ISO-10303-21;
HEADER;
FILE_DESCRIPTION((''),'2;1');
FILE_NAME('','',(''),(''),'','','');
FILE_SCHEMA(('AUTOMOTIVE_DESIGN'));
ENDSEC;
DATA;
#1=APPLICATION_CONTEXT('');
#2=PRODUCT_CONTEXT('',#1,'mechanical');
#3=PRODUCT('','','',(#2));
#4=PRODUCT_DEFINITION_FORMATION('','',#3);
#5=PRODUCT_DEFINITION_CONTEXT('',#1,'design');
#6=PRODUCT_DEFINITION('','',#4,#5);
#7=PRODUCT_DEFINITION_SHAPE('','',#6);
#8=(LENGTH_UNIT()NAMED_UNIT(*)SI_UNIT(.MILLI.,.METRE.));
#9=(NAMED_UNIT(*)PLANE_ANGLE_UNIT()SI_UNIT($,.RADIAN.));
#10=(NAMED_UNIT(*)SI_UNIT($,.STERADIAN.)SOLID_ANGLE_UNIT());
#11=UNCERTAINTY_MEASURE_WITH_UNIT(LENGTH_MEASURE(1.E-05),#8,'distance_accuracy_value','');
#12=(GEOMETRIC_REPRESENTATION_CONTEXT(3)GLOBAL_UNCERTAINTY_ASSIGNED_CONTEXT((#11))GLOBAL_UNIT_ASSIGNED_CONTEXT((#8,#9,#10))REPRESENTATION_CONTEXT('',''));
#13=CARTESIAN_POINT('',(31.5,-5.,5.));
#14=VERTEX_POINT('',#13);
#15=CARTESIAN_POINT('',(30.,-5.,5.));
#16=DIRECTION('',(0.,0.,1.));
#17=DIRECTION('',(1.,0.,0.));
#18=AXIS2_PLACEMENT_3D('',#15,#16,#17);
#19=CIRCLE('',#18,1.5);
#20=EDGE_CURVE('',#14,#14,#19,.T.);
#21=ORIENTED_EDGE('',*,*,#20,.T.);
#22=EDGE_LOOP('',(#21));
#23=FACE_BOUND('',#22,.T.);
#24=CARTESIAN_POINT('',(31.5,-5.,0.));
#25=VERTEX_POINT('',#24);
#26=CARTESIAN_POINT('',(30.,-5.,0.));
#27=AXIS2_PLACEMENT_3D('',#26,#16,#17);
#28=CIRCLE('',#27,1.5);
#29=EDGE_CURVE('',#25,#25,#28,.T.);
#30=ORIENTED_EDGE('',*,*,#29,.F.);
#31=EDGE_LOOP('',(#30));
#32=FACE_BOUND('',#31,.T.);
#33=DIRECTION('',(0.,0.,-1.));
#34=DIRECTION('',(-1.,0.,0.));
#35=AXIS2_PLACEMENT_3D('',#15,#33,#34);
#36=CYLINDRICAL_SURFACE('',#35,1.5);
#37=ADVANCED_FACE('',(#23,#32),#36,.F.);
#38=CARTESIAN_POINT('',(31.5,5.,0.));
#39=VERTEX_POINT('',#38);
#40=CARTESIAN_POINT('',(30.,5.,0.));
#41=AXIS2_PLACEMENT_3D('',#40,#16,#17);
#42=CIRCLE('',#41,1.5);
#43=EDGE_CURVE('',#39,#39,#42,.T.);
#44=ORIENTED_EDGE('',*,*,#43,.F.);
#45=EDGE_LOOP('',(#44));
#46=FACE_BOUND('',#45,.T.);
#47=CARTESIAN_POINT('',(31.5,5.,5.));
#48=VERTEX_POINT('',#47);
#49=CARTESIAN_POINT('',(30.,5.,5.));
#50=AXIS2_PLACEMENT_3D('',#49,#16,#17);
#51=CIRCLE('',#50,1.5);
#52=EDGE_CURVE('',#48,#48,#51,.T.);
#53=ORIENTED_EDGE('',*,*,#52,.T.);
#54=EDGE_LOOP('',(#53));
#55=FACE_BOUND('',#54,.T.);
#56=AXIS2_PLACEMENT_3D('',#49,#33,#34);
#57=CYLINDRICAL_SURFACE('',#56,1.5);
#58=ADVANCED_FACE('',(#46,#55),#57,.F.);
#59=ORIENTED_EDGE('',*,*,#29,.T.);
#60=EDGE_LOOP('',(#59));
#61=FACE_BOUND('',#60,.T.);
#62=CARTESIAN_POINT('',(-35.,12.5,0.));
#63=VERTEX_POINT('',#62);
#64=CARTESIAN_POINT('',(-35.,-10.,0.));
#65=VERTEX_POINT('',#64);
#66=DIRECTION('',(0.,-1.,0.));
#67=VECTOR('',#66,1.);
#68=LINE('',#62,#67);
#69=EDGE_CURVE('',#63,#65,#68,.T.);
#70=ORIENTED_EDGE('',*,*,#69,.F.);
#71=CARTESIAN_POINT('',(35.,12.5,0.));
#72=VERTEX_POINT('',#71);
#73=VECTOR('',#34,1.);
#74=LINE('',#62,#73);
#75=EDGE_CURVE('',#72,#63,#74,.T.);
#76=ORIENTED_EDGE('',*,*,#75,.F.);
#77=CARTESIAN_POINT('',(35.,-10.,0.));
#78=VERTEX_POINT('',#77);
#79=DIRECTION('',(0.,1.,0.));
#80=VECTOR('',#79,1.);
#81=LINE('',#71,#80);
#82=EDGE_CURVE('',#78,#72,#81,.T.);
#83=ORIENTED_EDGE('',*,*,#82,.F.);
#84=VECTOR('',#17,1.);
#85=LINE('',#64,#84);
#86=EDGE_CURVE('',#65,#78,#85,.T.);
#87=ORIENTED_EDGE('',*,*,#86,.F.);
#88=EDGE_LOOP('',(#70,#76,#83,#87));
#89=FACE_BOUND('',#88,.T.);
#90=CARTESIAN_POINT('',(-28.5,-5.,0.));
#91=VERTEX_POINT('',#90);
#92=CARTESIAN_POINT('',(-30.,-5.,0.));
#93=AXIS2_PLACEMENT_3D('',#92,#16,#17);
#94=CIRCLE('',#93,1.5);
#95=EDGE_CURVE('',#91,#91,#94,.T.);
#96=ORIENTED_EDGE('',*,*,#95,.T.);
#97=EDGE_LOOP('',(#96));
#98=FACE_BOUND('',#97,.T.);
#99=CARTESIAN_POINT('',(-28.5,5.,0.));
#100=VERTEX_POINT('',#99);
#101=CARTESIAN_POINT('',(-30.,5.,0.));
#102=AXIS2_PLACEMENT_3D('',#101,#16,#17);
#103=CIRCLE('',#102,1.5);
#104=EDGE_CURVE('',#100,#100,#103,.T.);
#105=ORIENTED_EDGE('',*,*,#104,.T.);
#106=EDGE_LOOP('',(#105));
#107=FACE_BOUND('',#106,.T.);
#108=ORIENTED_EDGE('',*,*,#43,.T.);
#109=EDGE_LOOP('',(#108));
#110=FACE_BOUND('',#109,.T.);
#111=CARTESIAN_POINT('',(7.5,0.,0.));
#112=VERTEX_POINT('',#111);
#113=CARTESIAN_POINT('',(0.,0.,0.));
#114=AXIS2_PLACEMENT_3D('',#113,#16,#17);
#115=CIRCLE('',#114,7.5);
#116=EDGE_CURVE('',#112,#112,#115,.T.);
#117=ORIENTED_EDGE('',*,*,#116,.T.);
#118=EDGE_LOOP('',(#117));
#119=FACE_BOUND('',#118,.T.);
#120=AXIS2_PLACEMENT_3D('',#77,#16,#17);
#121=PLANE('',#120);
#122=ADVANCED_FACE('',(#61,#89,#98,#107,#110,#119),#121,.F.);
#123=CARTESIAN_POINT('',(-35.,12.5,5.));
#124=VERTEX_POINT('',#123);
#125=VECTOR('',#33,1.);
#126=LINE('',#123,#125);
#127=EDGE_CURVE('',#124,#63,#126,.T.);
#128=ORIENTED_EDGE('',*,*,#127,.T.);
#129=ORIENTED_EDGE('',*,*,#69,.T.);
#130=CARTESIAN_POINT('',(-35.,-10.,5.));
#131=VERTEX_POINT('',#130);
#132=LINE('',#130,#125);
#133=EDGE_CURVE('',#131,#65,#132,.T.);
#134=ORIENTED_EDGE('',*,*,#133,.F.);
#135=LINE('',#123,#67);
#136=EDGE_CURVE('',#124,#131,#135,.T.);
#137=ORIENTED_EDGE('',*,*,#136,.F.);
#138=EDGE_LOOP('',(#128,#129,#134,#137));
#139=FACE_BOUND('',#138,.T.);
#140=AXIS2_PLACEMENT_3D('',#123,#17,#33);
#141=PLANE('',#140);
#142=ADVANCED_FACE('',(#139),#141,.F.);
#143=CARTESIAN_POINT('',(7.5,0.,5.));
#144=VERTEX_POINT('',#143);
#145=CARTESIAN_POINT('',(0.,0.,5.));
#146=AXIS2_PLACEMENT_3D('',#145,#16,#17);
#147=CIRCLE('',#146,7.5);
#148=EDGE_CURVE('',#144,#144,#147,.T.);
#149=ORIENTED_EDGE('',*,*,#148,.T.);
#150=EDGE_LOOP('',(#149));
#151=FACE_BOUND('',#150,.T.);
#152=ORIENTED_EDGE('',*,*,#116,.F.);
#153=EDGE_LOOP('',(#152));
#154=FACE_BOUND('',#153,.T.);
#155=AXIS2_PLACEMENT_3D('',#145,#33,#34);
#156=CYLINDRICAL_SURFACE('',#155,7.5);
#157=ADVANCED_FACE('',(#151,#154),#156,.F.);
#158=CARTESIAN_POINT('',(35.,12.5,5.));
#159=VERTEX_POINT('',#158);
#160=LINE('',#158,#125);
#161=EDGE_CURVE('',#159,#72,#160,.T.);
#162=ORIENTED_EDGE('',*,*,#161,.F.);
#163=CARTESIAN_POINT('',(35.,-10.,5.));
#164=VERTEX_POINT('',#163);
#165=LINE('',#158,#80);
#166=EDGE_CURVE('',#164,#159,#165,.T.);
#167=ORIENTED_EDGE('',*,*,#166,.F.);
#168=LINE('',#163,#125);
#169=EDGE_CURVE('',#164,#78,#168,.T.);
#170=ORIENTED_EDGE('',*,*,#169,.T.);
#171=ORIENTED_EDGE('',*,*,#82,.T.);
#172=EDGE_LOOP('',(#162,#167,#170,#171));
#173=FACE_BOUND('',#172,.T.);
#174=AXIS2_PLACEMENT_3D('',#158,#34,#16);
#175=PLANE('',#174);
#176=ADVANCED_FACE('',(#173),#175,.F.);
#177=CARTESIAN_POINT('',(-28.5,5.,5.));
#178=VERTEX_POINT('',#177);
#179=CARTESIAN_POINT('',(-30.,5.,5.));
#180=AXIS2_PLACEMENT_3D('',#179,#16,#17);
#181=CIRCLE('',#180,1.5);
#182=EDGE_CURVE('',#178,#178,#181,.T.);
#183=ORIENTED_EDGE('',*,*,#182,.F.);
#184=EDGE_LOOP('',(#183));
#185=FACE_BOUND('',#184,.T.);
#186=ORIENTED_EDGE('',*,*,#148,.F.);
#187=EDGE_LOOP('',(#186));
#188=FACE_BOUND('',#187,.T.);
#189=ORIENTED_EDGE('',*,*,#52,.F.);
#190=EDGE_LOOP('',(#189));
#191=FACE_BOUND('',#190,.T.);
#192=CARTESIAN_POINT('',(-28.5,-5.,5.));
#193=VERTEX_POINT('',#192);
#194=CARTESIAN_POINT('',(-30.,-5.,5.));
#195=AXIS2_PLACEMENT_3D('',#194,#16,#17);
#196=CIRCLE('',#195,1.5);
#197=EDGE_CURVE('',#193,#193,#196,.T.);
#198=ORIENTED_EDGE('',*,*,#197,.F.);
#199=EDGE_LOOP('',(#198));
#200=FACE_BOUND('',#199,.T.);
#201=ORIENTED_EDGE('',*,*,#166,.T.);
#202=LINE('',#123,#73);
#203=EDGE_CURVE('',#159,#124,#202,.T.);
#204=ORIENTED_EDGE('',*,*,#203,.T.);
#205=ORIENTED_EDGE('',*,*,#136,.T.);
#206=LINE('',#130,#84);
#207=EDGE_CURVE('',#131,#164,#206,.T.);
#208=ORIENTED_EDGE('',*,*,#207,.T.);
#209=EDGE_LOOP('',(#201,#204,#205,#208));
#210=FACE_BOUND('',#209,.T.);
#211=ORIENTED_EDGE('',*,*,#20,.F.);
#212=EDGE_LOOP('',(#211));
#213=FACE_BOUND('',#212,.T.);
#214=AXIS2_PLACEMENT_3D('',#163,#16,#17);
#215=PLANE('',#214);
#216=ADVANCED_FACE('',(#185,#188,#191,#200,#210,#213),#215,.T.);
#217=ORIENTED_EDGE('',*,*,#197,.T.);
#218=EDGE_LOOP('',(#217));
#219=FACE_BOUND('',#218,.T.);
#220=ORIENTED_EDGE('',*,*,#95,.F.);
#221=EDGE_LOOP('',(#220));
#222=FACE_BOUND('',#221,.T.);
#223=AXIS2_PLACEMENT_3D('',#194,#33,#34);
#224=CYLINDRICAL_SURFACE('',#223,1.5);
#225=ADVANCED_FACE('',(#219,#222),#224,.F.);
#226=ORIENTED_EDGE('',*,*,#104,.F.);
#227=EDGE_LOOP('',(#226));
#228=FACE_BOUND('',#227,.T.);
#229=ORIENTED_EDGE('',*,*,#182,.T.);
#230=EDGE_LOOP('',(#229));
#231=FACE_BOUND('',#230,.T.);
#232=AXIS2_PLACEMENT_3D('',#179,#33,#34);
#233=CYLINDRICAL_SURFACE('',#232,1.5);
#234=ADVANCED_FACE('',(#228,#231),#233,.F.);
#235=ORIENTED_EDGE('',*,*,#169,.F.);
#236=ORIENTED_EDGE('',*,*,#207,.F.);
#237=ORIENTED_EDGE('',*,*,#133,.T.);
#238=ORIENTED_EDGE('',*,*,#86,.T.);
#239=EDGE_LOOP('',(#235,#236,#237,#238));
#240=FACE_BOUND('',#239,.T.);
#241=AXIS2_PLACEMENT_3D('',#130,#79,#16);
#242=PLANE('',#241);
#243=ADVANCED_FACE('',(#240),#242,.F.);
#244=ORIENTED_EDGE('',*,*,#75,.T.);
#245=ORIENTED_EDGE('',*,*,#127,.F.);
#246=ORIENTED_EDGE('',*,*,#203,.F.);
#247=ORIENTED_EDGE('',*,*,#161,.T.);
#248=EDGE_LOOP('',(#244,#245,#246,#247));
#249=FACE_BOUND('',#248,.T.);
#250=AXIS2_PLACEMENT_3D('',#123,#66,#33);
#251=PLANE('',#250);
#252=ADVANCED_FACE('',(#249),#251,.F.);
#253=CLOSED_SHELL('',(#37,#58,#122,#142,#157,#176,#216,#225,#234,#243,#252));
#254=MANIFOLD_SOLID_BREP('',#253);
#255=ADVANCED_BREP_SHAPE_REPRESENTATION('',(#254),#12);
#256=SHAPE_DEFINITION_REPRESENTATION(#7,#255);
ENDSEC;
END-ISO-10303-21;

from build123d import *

# Parameters (mm, degrees)
ESQUISSE1_W        = 70
ESQUISSE1_H        = 22.5
ESQUISSE1_R        = 7.5
ESQUISSE1_R_2      = 1.5
BOSS_EXTRU_1_DEPTH = 5


with BuildPart() as part:
    # Esquisse1 → Boss.-Extru.1 (new body)
    with BuildSketch(Plane.XY):
        with Locations((0, 1.25)):
            Rectangle(ESQUISSE1_W, ESQUISSE1_H)
        Circle(ESQUISSE1_R, mode=Mode.SUBTRACT)
        with Locations((30, -5)):
            Circle(ESQUISSE1_R_2, mode=Mode.SUBTRACT)
        with Locations((30, 5)):
            Circle(ESQUISSE1_R_2, mode=Mode.SUBTRACT)
        with Locations((-30, 5)):
            Circle(ESQUISSE1_R_2, mode=Mode.SUBTRACT)
        with Locations((-30, -5)):
            Circle(ESQUISSE1_R_2, mode=Mode.SUBTRACT)
    extrude(amount=BOSS_EXTRU_1_DEPTH)


solid = part.part
